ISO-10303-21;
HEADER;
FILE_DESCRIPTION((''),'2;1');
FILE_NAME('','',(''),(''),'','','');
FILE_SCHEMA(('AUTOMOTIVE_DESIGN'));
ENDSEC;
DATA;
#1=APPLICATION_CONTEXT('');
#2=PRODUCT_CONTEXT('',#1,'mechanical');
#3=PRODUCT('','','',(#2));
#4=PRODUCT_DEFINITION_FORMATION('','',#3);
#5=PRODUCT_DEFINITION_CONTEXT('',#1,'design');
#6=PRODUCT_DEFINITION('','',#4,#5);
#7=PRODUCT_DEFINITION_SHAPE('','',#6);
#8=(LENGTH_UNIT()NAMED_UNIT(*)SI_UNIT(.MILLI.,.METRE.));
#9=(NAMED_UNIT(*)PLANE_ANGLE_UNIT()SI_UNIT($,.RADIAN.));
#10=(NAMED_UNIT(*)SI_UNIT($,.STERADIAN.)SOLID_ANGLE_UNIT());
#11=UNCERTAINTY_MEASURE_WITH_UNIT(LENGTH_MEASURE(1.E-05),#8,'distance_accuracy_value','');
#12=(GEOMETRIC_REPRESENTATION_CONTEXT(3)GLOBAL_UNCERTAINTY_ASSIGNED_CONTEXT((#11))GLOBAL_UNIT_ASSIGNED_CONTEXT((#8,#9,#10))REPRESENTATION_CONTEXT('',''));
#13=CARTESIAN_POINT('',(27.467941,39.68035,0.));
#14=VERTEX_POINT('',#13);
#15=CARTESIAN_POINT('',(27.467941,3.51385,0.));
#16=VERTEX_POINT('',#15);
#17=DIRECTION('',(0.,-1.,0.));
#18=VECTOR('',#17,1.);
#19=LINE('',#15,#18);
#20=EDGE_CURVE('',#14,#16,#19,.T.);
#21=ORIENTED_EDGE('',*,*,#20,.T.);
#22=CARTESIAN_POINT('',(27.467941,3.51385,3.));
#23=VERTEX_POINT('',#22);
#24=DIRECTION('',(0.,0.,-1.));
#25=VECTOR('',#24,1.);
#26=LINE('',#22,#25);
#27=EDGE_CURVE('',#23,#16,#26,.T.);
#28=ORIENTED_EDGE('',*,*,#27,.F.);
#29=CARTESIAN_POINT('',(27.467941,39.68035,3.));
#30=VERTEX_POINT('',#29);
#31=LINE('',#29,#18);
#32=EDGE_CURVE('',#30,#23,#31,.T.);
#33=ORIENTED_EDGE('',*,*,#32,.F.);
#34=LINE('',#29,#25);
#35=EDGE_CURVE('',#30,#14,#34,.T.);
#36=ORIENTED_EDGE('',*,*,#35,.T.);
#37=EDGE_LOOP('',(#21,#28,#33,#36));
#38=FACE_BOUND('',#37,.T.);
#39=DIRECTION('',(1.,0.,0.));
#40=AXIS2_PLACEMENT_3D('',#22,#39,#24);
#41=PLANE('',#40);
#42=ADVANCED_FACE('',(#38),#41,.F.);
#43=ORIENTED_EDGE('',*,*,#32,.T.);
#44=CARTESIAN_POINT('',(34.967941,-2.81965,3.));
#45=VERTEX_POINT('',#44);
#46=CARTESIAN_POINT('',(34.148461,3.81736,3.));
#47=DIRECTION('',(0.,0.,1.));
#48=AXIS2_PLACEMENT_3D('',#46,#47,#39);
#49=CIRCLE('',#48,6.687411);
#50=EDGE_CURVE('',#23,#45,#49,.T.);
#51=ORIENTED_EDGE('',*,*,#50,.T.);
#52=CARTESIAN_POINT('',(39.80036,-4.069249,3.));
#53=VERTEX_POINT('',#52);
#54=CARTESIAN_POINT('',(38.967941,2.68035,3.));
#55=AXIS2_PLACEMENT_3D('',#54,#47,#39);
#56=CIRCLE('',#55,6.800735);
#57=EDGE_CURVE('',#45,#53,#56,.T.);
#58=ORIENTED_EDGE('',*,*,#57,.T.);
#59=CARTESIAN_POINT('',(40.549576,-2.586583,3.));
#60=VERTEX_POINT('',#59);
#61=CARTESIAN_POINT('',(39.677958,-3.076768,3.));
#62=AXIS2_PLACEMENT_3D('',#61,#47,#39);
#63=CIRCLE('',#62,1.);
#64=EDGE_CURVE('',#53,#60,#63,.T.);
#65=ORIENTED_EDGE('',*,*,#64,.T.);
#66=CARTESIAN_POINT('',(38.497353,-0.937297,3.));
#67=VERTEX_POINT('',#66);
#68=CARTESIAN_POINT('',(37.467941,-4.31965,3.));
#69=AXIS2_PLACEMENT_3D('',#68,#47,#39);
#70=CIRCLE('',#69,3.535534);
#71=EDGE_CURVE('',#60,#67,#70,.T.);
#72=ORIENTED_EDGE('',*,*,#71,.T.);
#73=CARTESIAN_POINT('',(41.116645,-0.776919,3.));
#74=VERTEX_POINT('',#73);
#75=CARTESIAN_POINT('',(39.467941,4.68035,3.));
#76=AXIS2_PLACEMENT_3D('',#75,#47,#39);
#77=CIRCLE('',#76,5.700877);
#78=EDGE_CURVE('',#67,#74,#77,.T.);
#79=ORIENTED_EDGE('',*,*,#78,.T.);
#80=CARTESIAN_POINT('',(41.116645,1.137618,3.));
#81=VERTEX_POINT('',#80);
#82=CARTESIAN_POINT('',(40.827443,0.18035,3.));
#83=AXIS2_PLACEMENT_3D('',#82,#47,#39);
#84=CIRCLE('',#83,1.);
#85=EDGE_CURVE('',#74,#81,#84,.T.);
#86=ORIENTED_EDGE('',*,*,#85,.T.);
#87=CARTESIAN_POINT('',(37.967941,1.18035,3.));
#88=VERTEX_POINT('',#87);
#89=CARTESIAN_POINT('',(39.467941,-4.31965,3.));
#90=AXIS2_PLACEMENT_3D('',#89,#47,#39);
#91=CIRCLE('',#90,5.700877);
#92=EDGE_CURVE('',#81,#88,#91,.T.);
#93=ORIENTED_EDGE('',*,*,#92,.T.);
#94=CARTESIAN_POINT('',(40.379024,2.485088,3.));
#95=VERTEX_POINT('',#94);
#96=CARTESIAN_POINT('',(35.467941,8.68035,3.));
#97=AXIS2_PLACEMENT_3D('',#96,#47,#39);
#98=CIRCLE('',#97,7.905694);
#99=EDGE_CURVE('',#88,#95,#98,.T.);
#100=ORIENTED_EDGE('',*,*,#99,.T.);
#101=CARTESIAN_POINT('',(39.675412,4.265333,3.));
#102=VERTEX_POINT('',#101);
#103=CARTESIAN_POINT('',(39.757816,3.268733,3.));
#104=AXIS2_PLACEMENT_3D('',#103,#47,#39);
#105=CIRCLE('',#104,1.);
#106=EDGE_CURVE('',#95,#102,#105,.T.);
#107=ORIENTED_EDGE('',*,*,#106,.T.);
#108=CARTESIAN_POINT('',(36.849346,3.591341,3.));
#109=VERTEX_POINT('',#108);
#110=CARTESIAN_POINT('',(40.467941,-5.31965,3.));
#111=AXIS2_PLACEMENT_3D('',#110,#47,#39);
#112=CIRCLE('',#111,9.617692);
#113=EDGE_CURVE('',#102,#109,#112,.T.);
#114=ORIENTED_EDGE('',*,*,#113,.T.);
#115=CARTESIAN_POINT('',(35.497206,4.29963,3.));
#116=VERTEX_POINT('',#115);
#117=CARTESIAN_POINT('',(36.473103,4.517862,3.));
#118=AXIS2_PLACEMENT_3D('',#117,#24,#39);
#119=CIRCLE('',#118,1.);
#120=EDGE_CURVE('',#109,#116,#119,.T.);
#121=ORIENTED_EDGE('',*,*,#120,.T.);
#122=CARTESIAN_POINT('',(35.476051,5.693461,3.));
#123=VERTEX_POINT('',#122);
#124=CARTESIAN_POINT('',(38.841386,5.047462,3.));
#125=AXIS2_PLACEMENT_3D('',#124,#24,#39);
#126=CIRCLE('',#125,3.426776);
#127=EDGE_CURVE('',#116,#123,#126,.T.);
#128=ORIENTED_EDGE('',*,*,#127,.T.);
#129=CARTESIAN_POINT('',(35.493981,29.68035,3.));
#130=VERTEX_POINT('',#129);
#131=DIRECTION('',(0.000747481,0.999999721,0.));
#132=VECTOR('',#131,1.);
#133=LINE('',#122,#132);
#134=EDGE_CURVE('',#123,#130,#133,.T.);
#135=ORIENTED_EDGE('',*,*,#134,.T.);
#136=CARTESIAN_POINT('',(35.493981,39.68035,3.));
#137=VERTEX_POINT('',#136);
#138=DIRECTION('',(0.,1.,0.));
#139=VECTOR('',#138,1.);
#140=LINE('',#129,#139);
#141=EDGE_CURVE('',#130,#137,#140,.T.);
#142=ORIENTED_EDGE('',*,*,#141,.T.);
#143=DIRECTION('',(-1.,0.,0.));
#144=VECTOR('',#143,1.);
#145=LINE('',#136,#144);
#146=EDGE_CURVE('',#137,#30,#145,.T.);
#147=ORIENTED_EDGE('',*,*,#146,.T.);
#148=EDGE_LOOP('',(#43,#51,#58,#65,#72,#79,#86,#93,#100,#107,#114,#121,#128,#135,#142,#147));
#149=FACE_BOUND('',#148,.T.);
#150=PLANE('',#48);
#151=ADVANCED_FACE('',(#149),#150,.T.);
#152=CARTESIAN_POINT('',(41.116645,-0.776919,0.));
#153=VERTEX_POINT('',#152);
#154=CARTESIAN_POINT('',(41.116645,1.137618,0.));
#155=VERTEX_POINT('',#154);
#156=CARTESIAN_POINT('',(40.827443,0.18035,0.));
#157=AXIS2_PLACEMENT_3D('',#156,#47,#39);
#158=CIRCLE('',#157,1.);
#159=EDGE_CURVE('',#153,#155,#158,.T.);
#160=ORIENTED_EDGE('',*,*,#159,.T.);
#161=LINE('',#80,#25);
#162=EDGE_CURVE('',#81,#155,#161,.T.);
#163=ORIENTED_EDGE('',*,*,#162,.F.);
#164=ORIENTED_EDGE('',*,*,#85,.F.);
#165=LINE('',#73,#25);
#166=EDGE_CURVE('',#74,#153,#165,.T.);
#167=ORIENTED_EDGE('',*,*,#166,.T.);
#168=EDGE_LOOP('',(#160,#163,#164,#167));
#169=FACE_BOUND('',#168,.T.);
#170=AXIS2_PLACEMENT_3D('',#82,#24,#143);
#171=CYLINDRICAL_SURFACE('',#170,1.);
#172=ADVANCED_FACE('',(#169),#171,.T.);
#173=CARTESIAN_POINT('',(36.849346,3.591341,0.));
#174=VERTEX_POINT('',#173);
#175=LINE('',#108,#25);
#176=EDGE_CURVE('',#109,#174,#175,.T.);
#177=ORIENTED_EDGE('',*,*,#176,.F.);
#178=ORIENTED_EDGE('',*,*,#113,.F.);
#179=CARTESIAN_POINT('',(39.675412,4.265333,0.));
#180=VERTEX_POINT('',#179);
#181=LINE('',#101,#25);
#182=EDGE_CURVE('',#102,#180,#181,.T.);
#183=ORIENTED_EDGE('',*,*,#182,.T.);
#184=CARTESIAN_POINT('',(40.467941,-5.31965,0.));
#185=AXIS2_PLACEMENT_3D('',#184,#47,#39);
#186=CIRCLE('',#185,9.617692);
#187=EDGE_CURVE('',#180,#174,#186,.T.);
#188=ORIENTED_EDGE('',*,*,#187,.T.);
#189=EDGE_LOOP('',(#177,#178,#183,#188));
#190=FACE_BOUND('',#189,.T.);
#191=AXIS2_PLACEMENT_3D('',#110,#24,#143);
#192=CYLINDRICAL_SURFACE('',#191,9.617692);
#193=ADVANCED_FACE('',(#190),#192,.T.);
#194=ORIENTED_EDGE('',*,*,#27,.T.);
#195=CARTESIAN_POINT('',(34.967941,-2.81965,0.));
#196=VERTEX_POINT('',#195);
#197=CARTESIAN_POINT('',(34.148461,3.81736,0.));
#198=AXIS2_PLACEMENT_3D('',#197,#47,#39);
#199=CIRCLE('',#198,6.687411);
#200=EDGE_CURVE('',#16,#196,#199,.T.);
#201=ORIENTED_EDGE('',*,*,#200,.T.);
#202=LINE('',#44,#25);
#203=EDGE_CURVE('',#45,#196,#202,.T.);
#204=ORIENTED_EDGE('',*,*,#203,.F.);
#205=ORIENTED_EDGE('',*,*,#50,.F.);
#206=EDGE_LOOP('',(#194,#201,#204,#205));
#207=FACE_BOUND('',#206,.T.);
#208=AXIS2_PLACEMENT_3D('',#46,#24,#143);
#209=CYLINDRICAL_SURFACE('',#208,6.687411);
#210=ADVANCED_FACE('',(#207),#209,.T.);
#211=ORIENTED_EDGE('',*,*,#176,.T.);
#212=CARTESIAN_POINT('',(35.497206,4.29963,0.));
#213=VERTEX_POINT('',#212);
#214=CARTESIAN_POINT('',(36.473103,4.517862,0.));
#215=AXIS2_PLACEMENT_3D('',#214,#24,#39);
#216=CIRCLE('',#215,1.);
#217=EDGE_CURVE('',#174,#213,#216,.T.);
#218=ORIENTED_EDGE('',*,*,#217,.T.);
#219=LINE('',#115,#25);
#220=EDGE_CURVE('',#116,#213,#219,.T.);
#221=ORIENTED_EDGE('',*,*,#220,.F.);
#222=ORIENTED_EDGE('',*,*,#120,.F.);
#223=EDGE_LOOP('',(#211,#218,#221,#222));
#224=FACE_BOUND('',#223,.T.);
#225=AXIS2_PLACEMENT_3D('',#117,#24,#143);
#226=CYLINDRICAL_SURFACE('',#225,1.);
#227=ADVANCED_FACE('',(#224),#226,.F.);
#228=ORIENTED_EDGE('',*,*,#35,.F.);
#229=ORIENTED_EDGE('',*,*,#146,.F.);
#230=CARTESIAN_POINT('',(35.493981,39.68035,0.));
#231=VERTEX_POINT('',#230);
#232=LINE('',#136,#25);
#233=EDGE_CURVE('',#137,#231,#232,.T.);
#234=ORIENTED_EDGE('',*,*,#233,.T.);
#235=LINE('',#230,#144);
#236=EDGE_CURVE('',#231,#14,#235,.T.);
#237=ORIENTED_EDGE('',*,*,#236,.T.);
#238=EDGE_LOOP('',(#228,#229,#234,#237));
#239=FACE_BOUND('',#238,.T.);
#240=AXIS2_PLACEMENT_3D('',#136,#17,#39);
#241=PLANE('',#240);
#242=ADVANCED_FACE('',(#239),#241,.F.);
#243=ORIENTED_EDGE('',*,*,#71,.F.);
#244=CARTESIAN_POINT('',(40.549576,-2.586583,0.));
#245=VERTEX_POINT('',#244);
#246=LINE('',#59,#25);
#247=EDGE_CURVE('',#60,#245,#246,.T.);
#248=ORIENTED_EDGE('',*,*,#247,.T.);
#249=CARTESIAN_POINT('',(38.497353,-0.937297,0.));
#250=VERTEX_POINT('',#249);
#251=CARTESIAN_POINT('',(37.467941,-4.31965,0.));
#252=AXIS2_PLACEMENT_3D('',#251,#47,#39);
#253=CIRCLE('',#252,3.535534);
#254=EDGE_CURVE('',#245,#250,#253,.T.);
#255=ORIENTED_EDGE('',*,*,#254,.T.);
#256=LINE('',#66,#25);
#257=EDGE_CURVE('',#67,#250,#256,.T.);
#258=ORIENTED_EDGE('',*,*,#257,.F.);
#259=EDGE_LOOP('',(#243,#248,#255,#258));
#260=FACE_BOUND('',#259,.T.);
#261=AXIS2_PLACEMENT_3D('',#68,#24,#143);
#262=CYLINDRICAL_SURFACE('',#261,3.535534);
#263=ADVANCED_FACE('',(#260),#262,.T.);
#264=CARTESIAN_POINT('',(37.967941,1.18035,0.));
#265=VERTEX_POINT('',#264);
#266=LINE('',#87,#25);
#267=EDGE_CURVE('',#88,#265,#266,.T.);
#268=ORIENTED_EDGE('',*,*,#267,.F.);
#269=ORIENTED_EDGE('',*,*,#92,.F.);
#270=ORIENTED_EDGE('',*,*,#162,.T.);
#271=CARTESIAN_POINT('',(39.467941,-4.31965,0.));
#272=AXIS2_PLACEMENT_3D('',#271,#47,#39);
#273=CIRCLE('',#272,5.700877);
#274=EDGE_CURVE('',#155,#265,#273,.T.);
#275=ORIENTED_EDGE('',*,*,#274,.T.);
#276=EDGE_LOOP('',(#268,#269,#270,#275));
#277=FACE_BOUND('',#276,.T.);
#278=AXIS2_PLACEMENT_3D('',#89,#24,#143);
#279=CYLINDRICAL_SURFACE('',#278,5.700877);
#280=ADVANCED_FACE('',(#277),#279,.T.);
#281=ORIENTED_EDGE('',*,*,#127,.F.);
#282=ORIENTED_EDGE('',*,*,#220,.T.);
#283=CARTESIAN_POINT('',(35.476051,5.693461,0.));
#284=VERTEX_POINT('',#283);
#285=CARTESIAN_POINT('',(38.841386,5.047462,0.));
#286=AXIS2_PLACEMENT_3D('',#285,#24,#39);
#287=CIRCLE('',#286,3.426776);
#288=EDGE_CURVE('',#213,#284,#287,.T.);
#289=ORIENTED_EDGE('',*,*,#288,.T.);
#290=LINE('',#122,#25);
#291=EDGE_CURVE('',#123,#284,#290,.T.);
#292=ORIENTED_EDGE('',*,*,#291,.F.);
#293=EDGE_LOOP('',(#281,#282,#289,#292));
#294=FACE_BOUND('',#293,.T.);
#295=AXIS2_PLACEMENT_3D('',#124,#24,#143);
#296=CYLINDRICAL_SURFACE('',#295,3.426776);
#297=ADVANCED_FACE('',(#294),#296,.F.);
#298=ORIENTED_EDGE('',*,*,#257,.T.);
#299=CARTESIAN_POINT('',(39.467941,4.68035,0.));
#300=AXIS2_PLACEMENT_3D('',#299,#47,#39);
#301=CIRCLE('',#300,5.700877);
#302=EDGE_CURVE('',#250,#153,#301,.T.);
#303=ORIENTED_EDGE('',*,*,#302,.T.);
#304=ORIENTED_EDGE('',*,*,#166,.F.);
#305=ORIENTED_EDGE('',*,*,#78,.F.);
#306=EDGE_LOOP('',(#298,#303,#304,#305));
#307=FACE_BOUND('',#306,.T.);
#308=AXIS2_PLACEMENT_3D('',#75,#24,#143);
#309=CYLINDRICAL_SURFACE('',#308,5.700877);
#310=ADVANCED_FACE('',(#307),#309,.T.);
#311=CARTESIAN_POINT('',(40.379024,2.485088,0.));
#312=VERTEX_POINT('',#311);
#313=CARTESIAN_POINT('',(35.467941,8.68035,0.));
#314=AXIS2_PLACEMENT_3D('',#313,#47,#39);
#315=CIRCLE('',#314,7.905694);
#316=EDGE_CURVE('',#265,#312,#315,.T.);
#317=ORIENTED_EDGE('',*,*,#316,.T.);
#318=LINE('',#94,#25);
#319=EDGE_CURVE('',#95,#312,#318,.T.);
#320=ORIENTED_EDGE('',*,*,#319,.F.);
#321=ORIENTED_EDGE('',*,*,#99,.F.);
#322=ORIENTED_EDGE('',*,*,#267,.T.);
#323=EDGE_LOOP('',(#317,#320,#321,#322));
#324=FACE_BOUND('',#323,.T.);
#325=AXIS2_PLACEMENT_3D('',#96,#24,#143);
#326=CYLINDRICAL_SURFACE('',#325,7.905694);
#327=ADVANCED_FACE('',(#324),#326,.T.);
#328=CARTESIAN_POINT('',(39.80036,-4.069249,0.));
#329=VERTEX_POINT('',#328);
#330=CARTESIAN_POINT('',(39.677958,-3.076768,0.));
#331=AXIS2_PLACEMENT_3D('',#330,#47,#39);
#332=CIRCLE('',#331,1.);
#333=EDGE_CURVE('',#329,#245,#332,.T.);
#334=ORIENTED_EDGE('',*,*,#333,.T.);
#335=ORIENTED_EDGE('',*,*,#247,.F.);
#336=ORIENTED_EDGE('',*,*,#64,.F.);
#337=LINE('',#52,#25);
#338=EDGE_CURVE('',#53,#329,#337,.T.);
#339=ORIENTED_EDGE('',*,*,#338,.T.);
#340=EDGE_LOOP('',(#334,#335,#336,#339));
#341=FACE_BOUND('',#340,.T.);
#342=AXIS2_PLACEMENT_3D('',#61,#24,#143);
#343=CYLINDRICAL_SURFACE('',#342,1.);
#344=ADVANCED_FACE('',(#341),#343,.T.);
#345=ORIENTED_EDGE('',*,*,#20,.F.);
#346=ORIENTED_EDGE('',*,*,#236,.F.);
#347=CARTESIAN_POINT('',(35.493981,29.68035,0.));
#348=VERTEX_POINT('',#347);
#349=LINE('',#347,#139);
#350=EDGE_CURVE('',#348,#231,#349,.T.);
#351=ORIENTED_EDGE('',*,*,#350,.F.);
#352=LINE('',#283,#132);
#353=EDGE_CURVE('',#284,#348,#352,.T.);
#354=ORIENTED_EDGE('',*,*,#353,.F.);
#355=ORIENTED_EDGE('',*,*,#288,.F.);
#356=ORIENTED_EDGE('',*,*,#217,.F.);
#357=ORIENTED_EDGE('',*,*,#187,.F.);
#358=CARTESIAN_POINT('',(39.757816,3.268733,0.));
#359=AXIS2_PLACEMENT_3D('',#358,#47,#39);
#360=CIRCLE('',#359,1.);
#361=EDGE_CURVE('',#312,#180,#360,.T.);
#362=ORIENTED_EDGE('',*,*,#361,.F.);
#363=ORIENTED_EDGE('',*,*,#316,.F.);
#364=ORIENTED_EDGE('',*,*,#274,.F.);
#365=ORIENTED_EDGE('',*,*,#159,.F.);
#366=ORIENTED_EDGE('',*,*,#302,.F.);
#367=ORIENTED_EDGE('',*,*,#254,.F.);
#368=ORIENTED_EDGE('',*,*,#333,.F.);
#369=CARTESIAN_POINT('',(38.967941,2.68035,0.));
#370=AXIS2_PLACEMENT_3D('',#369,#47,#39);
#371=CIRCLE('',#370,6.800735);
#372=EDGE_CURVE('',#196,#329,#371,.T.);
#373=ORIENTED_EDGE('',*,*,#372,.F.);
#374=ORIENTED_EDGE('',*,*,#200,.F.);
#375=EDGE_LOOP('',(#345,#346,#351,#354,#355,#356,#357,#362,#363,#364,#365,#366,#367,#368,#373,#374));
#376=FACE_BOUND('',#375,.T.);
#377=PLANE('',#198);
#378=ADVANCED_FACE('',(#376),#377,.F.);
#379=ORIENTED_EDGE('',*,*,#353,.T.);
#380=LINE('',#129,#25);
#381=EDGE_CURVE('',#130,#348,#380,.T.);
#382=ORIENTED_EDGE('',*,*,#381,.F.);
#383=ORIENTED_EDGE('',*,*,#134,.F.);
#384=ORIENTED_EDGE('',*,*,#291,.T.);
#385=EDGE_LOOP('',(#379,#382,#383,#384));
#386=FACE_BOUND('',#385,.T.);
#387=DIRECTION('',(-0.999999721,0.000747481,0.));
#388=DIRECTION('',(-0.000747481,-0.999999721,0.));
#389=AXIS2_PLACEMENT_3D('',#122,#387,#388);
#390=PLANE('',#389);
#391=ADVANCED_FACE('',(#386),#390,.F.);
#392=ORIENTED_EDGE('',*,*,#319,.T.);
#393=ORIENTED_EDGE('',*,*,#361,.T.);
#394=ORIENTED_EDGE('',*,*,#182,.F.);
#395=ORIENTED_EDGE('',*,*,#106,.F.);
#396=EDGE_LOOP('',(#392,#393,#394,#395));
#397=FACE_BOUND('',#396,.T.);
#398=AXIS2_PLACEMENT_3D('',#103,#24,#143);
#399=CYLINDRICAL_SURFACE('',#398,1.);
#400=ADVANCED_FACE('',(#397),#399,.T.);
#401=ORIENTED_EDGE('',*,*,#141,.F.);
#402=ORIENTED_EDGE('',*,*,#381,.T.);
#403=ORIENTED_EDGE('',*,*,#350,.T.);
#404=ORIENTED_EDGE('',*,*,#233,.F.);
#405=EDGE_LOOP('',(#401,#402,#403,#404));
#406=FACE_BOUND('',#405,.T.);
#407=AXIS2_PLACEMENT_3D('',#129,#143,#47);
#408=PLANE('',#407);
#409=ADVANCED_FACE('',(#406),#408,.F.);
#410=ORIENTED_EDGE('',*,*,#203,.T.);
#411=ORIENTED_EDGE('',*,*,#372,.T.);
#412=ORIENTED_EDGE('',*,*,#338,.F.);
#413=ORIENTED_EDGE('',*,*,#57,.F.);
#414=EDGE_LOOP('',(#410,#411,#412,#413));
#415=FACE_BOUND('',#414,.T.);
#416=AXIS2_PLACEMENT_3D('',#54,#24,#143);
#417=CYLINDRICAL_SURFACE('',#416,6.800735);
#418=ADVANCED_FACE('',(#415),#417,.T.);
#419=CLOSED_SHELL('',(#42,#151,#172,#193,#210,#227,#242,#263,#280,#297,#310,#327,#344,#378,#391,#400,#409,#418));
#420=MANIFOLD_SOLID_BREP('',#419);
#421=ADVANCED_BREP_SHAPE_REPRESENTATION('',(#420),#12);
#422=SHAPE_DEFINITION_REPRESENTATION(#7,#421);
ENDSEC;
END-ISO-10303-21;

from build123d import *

# Parameters (mm, degrees)
SALIENTE_EXTRUIR1_DEPTH = 3


with BuildPart() as part:
    # Model → Saliente-Extruir1 (new body)
    with BuildSketch(Plane.XY):
        with BuildLine():
            Line((27.467941077, 39.680349578), (27.467941077, 22.097099578))
            Line((27.467941077, 22.097099578), (27.467941077, 3.513849578))
            ThreePointArc((27.467941077, 3.513849578), (29.833805345, -1.291965393), (34.967941077, -2.819650422))
            ThreePointArc((34.967941077, -2.819650422), (37.2653644, -3.903815719), (39.800359504, -4.069248896))
            ThreePointArc((39.800359504, -4.069248896), (40.5704791, -3.527774359), (40.549576341, -2.586582592))
            ThreePointArc((40.549576341, -2.586582592), (39.682712456, -1.563786177), (38.497352842, -0.937297481))
            ThreePointArc((38.497352842, -0.937297481), (39.816352512, -1.009870934), (41.116644878, -0.776918583))
            ThreePointArc((41.116644878, -0.776918583), (41.8274431, 0.180349578), (41.116644878, 1.137617739))
            ThreePointArc((41.116644878, 1.137617739), (39.545301969, 1.380701786), (37.967941077, 1.180349578))
            ThreePointArc((37.967941077, 1.180349578), (39.230469791, 1.72740936), (40.379023795, 2.485087958))
            ThreePointArc((40.379023795, 2.485087958), (40.687813038, 3.636299223), (39.675412289, 4.265332526))
            ThreePointArc((39.675412289, 4.265332526), (38.236782457, 4.035665244), (36.849346326, 3.591341219))
            ThreePointArc((36.849346326, 3.591341219), (36.009082944, 3.632037192), (35.497205789, 4.299630249))
            ThreePointArc((35.497205789, 4.299630249), (35.415004717, 4.995458697), (35.476051331, 5.693461244))
            Line((35.476051331, 5.693461244), (35.493981077, 29.680349578))
            Line((35.493981077, 29.680349578), (35.493981077, 39.680349578))
            Line((35.493981077, 39.680349578), (27.467941077, 39.680349578))
        make_face()
    extrude(amount=SALIENTE_EXTRUIR1_DEPTH)


solid = part.part
